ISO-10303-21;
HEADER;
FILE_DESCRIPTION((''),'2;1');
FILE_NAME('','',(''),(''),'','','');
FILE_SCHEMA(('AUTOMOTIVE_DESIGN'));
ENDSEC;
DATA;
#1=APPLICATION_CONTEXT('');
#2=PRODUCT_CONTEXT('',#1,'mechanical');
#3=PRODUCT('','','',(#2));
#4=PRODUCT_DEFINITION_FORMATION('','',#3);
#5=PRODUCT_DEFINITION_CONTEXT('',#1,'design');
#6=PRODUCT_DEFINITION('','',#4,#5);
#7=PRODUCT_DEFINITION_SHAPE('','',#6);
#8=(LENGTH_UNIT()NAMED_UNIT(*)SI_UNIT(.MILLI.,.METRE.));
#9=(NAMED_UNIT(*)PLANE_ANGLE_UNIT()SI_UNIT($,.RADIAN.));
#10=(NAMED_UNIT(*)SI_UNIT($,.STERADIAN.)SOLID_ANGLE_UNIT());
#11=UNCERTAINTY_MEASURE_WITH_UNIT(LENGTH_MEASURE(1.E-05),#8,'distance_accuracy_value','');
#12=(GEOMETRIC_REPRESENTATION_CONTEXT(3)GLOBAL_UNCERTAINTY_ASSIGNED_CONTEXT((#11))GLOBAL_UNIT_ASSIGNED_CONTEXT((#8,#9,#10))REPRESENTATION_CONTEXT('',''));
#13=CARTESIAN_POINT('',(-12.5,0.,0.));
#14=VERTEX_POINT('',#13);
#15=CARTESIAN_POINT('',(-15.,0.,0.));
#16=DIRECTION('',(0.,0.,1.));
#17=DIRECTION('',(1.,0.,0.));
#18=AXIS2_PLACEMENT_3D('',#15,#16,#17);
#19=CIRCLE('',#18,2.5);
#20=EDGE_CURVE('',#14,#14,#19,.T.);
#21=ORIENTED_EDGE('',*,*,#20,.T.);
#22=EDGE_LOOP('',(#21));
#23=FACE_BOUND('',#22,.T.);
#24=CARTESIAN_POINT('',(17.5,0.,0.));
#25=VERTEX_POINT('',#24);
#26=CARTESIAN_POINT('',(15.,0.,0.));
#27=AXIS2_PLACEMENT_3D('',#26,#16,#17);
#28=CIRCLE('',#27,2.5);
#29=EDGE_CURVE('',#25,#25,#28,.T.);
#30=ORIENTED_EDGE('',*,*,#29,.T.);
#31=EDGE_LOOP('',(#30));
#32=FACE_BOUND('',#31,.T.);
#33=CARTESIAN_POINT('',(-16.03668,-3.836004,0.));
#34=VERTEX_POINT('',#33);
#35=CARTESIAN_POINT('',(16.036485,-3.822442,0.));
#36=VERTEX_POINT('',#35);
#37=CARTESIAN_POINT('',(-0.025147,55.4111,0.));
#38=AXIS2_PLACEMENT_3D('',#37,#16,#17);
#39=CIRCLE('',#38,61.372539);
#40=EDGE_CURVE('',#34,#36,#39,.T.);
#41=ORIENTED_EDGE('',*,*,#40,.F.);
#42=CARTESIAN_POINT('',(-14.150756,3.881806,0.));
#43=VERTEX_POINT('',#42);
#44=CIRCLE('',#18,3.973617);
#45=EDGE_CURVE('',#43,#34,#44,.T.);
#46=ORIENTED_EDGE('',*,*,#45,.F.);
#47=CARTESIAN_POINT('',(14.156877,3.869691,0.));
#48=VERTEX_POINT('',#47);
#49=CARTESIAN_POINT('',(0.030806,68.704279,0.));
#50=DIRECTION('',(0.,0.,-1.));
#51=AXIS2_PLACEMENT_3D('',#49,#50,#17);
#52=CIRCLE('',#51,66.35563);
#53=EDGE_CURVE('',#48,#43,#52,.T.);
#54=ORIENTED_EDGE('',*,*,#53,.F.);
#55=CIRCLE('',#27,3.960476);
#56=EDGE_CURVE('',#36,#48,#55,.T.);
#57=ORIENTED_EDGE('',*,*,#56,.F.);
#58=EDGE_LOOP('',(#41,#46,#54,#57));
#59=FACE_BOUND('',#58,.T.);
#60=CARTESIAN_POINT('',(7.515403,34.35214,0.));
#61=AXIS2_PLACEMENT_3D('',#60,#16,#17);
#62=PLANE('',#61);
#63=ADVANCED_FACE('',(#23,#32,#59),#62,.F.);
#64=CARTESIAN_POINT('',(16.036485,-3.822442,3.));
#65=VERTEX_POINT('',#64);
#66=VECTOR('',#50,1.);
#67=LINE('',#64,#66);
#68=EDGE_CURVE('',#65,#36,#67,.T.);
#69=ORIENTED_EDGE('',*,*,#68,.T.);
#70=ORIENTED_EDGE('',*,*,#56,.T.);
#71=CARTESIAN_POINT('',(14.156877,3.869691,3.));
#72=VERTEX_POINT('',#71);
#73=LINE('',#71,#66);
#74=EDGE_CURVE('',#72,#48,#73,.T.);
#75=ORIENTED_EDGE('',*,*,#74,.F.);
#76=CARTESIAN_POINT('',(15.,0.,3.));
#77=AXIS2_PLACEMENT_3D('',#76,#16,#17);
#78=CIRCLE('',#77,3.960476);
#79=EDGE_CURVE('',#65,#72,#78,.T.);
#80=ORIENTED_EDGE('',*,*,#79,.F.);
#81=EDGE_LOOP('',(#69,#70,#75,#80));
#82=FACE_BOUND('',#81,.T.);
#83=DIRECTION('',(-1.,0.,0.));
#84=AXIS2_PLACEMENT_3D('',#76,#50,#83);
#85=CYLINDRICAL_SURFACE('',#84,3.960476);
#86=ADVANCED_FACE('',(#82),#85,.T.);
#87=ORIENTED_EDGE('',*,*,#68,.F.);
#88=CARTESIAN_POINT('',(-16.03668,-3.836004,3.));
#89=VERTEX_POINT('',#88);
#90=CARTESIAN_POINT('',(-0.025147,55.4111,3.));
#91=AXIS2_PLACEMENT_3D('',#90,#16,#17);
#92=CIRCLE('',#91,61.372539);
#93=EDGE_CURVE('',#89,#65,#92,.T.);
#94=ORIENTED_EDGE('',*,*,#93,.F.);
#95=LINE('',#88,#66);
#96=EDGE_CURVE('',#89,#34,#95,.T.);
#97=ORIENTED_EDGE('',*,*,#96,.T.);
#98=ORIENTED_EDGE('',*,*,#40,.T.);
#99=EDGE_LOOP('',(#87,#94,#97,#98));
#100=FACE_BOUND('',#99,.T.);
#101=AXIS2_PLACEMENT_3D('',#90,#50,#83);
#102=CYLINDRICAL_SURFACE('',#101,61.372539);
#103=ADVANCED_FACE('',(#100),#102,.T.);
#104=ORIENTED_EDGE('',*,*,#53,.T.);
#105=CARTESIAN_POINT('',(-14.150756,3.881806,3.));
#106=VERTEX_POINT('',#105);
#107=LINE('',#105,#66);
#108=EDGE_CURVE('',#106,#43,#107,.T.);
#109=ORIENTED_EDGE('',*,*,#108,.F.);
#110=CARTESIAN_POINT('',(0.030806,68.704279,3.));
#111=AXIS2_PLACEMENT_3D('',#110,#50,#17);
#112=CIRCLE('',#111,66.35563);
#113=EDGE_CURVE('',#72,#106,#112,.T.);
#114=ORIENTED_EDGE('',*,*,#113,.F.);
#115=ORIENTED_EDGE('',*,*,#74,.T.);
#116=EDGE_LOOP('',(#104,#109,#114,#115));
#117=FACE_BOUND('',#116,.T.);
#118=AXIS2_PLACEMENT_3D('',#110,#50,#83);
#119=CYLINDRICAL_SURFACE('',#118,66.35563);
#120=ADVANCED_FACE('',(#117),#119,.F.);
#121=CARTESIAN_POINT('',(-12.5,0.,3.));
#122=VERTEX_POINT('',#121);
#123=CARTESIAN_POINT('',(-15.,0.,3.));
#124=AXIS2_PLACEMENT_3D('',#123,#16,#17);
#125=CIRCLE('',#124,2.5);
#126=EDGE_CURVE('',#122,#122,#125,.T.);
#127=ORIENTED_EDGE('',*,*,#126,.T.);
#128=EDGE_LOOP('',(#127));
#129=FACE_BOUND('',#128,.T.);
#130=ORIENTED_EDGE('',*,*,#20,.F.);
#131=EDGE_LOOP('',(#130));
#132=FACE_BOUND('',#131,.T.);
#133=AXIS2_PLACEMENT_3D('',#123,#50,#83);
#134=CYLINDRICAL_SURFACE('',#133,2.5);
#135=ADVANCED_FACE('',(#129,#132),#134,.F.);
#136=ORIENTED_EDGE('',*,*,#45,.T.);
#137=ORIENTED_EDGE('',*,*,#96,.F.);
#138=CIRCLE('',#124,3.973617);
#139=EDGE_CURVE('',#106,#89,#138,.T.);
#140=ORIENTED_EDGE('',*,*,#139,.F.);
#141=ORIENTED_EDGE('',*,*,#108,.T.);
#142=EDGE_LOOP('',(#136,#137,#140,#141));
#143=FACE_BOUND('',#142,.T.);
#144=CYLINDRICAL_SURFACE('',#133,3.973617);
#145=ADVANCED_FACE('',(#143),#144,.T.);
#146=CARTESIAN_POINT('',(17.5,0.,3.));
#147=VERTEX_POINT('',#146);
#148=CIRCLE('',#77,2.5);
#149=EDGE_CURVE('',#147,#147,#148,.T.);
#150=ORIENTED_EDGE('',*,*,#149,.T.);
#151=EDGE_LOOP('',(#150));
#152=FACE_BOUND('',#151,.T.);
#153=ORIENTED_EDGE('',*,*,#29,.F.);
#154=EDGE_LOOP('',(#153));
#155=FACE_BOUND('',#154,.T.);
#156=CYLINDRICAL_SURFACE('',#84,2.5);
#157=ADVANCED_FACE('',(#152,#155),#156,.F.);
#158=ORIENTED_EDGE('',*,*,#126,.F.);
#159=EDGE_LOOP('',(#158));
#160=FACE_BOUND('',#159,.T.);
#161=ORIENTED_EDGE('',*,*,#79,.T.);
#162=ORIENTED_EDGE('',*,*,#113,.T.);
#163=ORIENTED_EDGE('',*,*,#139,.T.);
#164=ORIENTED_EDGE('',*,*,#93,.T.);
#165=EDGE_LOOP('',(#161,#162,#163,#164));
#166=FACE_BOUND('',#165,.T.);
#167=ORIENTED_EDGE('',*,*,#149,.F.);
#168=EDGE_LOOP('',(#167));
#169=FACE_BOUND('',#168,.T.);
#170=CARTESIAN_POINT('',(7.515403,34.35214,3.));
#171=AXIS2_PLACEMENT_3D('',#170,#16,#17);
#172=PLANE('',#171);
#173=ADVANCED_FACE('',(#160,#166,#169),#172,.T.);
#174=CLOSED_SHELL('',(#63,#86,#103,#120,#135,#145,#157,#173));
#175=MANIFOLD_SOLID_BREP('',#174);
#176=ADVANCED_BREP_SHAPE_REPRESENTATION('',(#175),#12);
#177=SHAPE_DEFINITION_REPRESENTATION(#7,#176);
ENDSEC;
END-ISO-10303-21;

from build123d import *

# Parameters (mm, degrees)
SKETCH1_R           = 2.5
BOSS_EXTRUDE1_DEPTH = 3


with BuildPart() as part:
    # Sketch1 → Boss-Extrude1 (new body)
    with BuildSketch(Plane.XY):
        with BuildLine():
            ThreePointArc((-14.150756277, 3.881806405), (-18.86004326, 0.943240108), (-16.036680395, -3.836004383))
            ThreePointArc((-16.036680395, -3.836004383), (0.000803772, -5.961433764), (16.03648476, -3.822442478))
            ThreePointArc((16.03648476, -3.822442478), (18.847281854, 0.940100785), (14.156876957, 3.869691291))
            ThreePointArc((14.156876957, 3.869691291), (0.002406774, 2.348654926), (-14.150756277, 3.881806405))
        make_face()
        with Locations((-15, 0)):
            Circle(SKETCH1_R, mode=Mode.SUBTRACT)
        with Locations((15, 0)):
            Circle(SKETCH1_R, mode=Mode.SUBTRACT)
    extrude(amount=BOSS_EXTRUDE1_DEPTH)


solid = part.part
